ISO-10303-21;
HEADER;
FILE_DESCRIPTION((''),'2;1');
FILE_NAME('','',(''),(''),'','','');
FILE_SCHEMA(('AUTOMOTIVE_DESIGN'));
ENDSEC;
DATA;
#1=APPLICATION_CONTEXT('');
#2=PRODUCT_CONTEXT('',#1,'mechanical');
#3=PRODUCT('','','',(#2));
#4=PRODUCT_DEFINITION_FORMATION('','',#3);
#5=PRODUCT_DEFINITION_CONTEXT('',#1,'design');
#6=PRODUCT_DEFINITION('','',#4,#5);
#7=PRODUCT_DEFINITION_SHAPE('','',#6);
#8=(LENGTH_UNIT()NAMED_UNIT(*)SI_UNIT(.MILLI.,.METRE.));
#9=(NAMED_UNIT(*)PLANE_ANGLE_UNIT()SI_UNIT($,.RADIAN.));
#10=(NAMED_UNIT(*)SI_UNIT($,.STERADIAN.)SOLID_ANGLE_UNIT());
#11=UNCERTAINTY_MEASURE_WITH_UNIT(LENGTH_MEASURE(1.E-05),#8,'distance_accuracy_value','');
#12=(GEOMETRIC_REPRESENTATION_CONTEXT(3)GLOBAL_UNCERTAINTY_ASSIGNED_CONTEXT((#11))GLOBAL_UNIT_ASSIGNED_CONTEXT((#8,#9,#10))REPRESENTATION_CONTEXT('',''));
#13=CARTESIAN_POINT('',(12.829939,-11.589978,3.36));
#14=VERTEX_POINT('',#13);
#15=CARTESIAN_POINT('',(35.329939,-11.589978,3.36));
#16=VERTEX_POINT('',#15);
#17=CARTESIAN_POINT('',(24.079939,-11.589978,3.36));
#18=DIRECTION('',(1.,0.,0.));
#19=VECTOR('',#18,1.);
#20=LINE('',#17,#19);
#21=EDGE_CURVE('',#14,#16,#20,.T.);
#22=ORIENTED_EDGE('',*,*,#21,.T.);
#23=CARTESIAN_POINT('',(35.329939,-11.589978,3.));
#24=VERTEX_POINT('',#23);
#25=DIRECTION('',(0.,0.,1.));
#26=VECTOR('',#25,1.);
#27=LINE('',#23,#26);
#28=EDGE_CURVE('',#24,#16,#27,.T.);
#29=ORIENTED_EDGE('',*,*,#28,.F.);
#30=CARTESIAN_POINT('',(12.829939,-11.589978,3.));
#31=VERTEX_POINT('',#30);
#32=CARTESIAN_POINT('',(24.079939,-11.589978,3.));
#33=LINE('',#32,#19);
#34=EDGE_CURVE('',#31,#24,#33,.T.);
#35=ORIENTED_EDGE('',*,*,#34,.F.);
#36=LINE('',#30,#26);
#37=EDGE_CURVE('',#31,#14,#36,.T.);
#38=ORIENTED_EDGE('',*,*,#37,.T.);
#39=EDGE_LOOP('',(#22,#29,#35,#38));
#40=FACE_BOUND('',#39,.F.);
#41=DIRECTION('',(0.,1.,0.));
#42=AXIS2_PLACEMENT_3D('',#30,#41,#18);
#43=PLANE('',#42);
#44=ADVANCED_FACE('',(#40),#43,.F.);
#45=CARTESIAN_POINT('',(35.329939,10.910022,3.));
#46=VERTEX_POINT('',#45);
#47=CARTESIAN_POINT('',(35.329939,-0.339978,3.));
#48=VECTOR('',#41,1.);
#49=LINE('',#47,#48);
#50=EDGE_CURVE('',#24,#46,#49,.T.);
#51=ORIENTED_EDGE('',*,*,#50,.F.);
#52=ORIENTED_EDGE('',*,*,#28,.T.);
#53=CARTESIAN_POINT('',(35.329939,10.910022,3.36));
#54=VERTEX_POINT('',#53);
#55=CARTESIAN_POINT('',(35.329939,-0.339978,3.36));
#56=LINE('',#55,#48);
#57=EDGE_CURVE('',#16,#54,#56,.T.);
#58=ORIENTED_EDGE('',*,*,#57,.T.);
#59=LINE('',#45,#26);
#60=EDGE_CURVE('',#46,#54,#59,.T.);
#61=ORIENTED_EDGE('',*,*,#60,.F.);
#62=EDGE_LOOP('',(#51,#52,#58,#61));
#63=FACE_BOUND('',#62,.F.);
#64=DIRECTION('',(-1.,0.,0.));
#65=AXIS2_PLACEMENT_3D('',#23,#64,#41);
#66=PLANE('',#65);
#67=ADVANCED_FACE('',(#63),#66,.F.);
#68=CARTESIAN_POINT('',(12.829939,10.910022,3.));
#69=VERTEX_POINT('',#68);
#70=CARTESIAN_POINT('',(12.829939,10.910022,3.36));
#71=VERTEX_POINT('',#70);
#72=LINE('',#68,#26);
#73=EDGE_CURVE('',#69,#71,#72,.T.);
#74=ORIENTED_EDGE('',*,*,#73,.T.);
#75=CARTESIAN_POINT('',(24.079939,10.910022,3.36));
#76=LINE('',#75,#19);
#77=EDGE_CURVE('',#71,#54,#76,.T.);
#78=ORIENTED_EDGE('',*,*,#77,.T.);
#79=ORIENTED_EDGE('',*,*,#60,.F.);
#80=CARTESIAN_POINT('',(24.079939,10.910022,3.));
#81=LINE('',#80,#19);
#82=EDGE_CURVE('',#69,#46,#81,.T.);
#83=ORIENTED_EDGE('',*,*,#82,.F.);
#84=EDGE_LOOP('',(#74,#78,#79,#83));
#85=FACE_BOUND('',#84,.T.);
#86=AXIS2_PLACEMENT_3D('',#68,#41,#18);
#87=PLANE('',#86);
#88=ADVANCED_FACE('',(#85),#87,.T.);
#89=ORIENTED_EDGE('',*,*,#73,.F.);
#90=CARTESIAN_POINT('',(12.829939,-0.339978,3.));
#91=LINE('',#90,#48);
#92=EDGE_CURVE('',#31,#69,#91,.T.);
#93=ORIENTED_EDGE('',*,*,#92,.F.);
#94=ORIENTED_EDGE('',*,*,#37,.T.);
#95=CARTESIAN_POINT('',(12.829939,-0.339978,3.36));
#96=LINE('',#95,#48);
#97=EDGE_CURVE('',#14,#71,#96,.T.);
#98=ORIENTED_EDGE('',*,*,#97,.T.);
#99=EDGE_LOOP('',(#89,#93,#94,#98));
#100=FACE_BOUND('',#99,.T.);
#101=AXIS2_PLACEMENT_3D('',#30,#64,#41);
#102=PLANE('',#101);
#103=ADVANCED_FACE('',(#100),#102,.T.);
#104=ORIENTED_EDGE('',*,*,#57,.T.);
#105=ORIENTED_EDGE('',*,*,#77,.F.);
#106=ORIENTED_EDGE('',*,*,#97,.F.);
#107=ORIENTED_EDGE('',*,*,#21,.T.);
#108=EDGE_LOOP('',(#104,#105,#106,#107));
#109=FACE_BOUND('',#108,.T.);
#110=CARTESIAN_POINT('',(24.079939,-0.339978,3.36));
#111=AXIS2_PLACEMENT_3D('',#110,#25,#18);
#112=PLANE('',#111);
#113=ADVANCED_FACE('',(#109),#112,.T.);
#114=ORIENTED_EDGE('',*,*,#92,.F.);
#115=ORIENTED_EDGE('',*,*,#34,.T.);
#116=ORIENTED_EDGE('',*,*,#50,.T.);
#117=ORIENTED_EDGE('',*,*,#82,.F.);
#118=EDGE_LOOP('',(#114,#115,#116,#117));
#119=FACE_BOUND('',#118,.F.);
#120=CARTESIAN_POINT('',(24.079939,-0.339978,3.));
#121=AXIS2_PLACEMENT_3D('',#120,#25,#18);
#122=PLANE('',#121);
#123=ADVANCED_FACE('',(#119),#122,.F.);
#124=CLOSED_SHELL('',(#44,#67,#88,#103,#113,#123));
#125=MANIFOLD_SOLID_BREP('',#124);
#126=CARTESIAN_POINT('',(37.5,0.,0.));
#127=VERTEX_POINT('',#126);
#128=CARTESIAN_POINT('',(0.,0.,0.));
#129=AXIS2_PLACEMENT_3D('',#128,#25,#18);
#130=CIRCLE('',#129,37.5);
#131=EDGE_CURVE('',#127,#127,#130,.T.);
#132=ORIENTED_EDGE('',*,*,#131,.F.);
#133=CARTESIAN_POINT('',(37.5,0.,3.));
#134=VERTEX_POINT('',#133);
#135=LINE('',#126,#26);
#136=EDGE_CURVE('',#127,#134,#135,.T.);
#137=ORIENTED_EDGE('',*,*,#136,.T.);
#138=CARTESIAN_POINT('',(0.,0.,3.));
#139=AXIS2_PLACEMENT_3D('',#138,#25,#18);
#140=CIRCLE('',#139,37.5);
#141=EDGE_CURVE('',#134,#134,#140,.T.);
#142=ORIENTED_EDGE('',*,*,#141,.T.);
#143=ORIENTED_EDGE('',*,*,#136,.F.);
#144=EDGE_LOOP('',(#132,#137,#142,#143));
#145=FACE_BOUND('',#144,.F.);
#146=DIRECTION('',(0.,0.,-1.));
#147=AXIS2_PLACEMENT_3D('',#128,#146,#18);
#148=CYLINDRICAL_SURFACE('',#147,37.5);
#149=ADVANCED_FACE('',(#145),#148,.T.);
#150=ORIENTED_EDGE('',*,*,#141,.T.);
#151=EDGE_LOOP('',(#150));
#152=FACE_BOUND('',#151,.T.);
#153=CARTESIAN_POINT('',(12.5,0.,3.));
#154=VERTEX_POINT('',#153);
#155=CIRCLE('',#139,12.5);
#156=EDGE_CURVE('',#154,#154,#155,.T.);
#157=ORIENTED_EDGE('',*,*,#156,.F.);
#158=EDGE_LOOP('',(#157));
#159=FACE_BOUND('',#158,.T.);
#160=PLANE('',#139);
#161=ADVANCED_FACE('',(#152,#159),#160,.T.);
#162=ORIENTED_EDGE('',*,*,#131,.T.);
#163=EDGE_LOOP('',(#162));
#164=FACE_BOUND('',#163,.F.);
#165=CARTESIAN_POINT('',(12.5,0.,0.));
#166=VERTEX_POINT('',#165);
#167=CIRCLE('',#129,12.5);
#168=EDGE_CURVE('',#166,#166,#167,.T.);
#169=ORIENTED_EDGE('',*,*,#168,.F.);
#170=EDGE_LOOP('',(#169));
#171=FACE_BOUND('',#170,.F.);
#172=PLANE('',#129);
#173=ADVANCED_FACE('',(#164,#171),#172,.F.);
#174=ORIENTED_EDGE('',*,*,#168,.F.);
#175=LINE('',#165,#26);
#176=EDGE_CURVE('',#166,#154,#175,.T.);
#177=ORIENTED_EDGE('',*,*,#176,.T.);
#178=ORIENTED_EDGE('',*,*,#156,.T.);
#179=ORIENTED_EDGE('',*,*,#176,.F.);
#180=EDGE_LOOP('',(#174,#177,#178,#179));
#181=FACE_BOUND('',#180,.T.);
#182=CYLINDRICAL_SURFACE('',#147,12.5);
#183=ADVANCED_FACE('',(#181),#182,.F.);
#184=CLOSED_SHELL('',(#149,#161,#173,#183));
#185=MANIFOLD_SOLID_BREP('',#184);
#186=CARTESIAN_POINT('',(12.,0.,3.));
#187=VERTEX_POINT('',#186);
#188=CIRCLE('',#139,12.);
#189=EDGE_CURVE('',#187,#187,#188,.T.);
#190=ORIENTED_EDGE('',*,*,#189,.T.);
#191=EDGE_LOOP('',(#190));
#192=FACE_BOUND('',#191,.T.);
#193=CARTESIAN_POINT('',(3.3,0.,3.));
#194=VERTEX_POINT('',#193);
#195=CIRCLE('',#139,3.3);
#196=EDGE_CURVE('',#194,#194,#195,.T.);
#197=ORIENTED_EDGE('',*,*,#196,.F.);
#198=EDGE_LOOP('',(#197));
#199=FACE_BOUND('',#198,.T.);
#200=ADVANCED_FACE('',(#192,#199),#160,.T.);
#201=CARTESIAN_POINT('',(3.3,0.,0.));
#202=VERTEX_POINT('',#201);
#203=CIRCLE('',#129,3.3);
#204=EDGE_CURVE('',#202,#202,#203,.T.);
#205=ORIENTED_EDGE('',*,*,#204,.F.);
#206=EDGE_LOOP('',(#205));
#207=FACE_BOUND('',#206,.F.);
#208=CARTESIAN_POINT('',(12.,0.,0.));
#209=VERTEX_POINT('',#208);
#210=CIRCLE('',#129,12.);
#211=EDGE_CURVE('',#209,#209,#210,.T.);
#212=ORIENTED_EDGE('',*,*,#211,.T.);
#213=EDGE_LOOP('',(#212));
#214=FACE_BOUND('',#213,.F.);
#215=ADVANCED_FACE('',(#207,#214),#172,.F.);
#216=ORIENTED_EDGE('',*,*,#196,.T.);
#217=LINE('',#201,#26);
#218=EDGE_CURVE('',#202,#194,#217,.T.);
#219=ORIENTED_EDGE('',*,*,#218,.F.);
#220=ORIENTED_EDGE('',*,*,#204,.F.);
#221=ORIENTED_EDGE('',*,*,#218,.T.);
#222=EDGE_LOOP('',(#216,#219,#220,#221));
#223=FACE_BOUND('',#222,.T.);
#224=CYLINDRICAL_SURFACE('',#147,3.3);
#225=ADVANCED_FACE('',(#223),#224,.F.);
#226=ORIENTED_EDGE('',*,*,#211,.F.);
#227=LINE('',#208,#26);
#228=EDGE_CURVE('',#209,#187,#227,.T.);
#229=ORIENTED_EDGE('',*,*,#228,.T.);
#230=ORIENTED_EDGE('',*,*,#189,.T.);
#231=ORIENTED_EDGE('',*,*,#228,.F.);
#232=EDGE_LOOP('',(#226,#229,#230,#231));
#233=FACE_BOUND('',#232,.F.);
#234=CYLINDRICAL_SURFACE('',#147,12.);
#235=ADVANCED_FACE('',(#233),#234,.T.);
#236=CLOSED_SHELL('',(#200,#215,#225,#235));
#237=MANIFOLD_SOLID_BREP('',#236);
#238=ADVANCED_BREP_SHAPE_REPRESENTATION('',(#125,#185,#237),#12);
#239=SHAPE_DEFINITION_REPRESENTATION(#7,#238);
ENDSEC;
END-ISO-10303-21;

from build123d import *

# Parameters (mm, degrees)
F0_R     = 37.5
F0_R_2   = 12.5
F1_DEPTH = 3
F2_R     = 12
F2_R_2   = 3.3
F3_DEPTH = 3
F4_W     = 22.5
F4_H     = 22.5
F5_DEPTH = 0.36


with BuildPart() as f1:
    # F0 (on Top) → F1 (new body)
    with BuildSketch(Plane.XY):
        Circle(F0_R)
        Circle(F0_R_2, mode=Mode.SUBTRACT)
    extrude(amount=F1_DEPTH)


with BuildPart() as f3:
    # F2 (on Top) → F3 (new body)
    with BuildSketch(Plane.XY):
        Circle(F2_R)
        Circle(F2_R_2, mode=Mode.SUBTRACT)
    extrude(amount=F3_DEPTH)


with BuildPart() as f5:
    # F4 (on face) → F5 (new body)
    with BuildSketch(Plane.XY.offset(3)):
        with Locations((24.079939, -0.339978)):
            Rectangle(F4_W, F4_H)
    extrude(amount=F5_DEPTH)


solid = Compound([f1.part, f3.part, f5.part])
